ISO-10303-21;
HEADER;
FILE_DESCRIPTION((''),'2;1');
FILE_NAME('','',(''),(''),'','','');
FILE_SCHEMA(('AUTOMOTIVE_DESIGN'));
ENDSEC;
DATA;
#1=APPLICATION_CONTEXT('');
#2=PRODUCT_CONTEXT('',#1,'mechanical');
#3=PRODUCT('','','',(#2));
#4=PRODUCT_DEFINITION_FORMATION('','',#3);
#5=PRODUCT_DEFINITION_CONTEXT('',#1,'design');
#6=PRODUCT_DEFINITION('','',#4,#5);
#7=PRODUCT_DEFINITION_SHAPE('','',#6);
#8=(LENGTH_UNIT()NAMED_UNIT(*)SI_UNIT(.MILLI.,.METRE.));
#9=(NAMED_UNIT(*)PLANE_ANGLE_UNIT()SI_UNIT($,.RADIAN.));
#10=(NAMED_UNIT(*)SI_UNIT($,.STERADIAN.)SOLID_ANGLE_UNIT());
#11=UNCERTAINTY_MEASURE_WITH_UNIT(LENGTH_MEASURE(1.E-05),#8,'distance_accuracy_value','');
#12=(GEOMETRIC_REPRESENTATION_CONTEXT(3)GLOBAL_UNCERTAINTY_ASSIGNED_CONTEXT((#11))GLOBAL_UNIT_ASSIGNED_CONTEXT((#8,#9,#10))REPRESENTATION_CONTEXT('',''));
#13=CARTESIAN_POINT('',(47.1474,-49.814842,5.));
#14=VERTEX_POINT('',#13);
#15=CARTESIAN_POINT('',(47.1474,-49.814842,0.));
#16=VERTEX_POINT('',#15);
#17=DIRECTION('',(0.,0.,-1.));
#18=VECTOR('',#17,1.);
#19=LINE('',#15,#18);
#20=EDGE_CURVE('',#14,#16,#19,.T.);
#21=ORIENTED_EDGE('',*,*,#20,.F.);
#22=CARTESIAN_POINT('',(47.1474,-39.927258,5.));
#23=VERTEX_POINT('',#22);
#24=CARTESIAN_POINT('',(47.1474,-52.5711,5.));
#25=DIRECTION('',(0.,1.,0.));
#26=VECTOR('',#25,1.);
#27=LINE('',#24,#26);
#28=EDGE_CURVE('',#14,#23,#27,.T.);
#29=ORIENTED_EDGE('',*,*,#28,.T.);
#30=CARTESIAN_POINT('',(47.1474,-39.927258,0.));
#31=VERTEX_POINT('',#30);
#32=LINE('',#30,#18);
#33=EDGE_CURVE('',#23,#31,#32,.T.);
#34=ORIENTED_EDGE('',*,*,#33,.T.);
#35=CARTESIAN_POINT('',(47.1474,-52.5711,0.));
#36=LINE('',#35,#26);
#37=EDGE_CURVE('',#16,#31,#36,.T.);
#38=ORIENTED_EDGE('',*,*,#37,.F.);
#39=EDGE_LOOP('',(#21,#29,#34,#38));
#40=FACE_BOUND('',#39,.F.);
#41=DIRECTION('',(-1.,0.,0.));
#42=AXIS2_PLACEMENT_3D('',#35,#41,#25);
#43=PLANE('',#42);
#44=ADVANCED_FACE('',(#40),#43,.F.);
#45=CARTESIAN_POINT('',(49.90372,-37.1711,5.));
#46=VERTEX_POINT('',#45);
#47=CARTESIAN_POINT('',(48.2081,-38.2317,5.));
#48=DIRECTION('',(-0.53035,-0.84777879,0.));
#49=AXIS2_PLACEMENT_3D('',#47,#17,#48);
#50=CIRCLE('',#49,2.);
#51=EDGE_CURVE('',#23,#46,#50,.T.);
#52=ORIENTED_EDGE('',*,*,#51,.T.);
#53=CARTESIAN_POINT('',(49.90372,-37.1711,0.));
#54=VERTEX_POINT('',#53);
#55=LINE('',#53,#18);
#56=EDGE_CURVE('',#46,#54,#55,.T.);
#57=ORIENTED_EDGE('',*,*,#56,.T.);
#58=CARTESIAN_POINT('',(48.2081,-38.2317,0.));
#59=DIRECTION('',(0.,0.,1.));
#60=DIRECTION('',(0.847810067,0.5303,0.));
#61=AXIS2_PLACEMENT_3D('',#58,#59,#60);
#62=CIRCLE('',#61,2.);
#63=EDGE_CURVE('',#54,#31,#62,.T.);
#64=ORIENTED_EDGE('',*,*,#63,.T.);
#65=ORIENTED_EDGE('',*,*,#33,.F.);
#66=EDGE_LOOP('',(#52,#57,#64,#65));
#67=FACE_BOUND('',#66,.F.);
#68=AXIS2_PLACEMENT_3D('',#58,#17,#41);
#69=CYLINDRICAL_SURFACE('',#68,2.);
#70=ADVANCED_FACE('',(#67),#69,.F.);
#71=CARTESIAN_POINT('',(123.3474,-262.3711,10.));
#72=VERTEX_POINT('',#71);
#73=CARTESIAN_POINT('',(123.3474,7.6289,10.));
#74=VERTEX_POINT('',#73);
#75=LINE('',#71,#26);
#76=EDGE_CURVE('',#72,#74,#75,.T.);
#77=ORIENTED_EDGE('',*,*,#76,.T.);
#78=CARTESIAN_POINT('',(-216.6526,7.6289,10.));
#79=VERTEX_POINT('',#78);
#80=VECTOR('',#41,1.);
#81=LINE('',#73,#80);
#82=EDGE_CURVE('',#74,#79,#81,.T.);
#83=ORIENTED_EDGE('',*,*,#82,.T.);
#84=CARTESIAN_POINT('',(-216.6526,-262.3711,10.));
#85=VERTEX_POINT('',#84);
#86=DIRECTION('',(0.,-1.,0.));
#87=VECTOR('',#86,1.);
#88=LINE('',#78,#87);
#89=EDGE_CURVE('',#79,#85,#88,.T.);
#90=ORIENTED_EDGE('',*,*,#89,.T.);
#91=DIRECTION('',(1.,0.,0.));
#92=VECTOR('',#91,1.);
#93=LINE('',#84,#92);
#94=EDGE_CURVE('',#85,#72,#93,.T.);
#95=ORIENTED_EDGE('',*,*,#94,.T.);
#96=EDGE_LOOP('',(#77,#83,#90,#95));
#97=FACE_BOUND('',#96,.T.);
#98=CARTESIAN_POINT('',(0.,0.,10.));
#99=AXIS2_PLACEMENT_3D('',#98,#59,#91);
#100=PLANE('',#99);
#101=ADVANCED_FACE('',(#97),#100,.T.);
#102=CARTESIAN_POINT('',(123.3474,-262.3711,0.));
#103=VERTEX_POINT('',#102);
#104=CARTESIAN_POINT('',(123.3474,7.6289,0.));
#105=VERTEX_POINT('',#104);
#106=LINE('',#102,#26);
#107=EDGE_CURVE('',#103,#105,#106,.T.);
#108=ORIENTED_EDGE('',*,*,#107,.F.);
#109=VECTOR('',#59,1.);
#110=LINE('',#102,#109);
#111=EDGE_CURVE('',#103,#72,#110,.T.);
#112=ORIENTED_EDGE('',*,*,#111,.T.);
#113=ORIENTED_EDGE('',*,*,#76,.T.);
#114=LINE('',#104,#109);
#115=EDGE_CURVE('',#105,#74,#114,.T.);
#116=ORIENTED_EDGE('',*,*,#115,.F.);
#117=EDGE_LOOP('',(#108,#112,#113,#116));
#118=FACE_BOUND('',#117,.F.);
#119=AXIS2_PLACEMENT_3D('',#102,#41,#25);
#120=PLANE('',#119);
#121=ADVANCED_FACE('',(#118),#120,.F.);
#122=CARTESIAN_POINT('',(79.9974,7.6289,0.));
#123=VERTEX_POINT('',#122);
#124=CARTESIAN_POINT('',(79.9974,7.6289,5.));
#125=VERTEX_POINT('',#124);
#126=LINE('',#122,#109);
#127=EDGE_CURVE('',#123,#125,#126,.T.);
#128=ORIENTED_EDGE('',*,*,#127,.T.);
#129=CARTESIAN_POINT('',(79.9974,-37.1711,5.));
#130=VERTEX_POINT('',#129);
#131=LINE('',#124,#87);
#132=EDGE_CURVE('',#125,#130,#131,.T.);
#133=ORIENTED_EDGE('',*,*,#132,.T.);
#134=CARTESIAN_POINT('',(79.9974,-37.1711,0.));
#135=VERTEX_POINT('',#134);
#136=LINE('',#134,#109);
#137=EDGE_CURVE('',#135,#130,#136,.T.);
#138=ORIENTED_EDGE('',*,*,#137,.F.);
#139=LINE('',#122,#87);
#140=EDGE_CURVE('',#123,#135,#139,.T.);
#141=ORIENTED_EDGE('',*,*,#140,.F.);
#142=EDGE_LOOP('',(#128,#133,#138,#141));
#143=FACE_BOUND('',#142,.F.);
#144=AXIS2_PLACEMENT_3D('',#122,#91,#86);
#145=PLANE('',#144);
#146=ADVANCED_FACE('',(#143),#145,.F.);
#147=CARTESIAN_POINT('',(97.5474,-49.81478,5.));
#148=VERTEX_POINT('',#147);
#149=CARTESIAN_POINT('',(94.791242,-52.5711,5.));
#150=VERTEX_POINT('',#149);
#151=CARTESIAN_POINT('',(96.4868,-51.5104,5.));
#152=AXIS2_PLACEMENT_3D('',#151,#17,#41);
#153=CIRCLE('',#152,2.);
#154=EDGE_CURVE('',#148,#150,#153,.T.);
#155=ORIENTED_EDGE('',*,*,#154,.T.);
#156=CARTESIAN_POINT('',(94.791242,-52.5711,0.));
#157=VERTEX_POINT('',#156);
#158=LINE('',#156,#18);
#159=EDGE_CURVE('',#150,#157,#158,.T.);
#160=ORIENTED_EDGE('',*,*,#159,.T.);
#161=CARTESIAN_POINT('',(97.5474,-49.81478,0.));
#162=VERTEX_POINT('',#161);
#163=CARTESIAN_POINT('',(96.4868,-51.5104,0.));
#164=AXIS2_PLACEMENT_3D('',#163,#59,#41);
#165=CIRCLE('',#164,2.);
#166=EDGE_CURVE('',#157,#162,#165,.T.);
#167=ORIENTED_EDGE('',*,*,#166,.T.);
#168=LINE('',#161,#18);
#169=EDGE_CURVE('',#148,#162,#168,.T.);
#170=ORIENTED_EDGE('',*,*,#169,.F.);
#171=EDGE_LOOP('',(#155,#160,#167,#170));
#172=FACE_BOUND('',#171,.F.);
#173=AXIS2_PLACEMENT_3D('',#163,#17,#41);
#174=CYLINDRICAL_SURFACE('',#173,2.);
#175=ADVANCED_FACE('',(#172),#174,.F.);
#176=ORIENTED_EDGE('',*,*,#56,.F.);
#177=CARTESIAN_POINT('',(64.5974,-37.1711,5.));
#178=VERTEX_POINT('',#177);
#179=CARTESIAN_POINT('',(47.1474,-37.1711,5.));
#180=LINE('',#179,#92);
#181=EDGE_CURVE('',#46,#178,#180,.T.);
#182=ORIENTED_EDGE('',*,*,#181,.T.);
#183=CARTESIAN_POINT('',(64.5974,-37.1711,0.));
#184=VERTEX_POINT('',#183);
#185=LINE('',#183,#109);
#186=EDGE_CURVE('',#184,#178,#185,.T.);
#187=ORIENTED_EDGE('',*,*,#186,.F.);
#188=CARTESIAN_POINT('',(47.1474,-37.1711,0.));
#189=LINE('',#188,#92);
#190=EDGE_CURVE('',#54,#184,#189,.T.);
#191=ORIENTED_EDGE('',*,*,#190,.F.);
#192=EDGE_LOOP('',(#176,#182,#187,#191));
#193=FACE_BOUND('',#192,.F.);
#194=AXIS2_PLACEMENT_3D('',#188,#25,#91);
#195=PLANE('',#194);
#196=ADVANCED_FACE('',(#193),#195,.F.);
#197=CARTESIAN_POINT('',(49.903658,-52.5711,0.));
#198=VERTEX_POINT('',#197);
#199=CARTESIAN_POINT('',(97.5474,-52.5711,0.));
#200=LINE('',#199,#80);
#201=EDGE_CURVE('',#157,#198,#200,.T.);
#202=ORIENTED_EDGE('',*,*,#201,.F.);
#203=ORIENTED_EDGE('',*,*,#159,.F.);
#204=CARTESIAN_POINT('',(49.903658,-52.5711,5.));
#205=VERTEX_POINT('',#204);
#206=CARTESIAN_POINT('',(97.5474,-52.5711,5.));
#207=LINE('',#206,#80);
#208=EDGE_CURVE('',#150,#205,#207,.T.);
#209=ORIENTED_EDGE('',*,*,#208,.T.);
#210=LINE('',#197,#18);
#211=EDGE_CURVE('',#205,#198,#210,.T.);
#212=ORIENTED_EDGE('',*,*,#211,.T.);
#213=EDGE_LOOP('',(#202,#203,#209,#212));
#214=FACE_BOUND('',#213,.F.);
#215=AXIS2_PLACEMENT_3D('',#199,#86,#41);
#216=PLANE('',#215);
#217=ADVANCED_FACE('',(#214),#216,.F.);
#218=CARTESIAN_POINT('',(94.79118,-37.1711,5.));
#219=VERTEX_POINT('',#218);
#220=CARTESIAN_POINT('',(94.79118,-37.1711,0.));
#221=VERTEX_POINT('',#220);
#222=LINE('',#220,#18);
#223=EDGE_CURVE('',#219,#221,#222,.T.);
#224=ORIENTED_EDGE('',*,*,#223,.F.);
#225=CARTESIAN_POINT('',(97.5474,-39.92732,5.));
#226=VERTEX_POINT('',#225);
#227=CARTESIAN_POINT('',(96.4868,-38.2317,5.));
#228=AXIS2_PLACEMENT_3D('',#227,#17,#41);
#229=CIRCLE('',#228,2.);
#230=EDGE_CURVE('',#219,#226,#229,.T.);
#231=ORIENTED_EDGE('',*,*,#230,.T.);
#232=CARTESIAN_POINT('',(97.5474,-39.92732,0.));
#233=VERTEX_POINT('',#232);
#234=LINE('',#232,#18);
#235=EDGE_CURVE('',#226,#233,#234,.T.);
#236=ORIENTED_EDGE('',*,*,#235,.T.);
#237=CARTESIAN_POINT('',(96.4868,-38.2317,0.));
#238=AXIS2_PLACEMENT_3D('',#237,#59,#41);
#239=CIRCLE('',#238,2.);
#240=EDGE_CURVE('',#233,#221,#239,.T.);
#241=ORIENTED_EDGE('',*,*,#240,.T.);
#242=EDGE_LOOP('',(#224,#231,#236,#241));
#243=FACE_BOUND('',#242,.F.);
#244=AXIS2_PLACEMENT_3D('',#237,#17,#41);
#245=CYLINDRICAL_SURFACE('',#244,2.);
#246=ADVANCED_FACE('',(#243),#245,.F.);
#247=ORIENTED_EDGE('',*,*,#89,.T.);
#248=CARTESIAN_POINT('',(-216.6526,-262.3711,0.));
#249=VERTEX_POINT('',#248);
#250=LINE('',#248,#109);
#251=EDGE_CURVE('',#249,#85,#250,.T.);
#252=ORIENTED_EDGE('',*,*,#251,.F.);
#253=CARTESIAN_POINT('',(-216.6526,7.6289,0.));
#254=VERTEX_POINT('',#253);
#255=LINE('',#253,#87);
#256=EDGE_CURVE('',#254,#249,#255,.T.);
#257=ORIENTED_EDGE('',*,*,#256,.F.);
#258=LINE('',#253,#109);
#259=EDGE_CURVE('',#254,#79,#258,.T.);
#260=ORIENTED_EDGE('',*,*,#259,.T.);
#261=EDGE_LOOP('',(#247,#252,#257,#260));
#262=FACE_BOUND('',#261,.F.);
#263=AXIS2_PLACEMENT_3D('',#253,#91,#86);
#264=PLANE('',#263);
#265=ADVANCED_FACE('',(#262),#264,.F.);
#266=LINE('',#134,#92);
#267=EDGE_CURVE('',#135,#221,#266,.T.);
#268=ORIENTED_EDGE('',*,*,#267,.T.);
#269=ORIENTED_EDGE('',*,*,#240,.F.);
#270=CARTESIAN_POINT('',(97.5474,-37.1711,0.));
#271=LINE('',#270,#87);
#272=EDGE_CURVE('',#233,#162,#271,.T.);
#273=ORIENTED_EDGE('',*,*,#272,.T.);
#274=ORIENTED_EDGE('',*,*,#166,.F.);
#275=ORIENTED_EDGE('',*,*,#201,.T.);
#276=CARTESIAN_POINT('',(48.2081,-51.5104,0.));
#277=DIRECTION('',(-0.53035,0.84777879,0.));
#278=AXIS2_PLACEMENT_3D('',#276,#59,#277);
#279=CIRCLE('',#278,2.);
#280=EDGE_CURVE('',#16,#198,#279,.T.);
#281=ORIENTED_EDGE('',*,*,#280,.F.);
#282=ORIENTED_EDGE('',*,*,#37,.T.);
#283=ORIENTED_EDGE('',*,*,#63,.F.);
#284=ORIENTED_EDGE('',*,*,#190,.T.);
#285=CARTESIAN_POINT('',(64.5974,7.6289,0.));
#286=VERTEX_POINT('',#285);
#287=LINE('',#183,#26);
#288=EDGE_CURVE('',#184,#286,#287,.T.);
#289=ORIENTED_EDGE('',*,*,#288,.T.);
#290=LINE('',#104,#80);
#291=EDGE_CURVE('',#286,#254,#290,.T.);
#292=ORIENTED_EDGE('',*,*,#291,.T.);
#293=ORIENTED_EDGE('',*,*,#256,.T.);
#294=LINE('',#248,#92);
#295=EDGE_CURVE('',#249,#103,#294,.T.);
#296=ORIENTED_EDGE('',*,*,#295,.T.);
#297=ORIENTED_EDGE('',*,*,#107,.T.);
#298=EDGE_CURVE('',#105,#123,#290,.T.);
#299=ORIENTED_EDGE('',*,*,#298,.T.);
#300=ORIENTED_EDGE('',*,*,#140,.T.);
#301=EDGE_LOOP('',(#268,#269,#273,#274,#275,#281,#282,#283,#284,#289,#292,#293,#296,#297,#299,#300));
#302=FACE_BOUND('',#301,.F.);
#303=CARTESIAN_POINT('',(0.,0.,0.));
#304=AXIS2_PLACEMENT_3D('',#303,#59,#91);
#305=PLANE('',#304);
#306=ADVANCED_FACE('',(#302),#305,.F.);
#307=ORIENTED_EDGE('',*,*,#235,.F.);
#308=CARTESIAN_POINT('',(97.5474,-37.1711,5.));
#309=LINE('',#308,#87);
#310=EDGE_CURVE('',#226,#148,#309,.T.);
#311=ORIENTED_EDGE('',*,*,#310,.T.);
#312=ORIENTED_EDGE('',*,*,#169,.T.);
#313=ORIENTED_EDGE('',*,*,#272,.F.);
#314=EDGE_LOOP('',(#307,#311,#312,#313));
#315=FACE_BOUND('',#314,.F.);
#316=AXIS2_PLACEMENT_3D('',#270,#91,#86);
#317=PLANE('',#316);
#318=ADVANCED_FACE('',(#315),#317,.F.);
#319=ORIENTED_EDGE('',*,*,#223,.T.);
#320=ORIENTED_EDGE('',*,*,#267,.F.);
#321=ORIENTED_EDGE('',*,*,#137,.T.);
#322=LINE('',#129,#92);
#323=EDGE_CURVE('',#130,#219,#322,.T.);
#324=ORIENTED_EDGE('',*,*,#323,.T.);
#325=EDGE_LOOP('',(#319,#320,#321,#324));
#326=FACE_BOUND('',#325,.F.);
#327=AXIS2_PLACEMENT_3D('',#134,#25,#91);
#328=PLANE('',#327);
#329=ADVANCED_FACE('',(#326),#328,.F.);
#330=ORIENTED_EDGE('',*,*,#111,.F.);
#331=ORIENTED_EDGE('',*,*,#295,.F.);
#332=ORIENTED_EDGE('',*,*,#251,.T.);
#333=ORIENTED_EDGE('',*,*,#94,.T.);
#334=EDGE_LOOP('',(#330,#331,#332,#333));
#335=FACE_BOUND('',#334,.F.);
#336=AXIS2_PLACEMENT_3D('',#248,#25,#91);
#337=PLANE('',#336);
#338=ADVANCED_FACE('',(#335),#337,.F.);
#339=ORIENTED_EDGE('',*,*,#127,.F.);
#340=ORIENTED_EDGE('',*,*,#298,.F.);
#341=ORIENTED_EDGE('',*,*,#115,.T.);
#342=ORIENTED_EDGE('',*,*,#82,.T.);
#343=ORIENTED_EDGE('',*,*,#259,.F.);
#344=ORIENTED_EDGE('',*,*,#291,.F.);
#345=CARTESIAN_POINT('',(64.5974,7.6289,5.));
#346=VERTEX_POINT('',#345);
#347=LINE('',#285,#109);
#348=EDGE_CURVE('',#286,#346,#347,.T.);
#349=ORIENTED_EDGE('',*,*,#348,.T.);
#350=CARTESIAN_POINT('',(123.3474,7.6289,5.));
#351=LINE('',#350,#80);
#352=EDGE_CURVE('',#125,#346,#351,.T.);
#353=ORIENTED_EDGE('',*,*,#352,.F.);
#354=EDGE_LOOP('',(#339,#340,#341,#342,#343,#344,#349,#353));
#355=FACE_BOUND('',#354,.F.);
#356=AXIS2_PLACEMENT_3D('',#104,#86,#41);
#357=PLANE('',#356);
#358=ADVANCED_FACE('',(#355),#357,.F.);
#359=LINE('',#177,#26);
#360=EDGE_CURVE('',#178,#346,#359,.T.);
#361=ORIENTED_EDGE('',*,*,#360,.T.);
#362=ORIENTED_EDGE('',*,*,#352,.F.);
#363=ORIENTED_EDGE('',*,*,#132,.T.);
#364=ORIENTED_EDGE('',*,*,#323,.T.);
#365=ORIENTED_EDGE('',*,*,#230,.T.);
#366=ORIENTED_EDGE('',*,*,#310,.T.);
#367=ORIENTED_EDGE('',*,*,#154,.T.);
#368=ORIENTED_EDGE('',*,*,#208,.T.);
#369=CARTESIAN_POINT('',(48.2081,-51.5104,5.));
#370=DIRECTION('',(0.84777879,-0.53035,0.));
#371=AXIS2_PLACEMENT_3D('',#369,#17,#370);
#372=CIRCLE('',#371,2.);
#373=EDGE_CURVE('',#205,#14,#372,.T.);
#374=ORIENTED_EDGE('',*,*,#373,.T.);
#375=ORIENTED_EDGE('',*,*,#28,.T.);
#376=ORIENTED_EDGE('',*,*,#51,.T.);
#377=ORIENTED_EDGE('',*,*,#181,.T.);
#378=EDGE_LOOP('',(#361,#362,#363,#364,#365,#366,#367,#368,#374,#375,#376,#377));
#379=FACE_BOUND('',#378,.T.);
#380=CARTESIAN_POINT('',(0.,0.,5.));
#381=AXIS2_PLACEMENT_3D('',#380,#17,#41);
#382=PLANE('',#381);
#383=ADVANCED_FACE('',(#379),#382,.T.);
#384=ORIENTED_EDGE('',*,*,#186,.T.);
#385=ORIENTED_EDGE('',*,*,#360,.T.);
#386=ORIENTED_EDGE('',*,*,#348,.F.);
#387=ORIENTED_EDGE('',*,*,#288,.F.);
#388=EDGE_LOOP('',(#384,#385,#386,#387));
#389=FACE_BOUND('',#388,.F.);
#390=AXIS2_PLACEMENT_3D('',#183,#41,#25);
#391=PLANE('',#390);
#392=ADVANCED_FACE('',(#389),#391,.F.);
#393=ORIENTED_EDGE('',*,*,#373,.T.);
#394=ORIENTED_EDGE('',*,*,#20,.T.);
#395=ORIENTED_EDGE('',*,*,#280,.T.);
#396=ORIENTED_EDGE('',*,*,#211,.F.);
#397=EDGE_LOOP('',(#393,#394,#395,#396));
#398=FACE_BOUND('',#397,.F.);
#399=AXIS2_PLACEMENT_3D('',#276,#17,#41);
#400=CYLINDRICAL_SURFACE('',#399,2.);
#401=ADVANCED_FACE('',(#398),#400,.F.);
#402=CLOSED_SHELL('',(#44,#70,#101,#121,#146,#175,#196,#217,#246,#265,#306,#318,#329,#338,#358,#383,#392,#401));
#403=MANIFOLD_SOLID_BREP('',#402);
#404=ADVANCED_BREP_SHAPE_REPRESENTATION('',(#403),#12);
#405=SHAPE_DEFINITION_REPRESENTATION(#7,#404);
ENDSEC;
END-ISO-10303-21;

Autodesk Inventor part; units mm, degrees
ref_plane "YZ Plane" through (0, 0, 0) normal (1, 0, 0) x (0, 1, 0)
ref_plane "XZ Plane" through (0, 0, 0) normal (0, 1, 0) x (-1, 0, 0)
ref_plane "XY Plane" through (0, 0, 0) normal (0, 0, 1) x (1, 0, 0)
sketch "Sketch1" plane through (0, 0, 0) normal (0, 0, 1) x (1, 0, 0)
  line L0 (-216.6526, -262.3711) -> (123.3474, -262.3711)
  line L1 (123.3474, -262.3711) -> (123.3474, 7.6289)
  line L2 (123.3474, 7.6289) -> (-216.6526, 7.6289)
  line L3 (-216.6526, 7.6289) -> (-216.6526, -262.3711)
  point P0 (0, 0)
  dimension "d0" = 340
  dimension "d1" = 270
extrude "Extrusion1" add sketch "Sketch1" along normal blind 10
sketch "Sketch2" plane through (0, 0, 0) normal (0, 0, -1) x (-1, 0, 0)
  line L0 (-66.3474, -50.3711) -> (-66.3474, -52.3711) construction
  line L1 (-66.3474, -52.3711) -> (-47.3474, -52.3711) construction
  line L2 (-47.3474, -52.3711) -> (-47.3474, -37.3711) construction
  line L3 (-47.3474, -37.3711) -> (-64.7974, -37.3711) construction
  line L4 (-64.7974, -37.3711) -> (-64.7974, -42.3711) construction
  line L5 (-64.7974, -42.3711) -> (-79.8974, -42.3711) construction
  line L6 (-79.8974, -42.3711) -> (-79.8974, -37.3711) construction
  line L7 (-79.8974, -37.3711) -> (-97.3474, -37.3711) construction
  line L8 (-97.3474, -37.3711) -> (-97.3474, -52.3711) construction
  line L9 (-97.3474, -52.3711) -> (-78.3474, -52.3711) construction
  line L10 (-78.3474, -52.3711) -> (-78.3474, -50.3711) construction
  line L11 (-78.3474, -50.3711) -> (-66.3474, -50.3711) construction
  line L12 (-79.7974, -42.3711) -> (-79.7974, -9.1428) construction
  line L13 (-64.7974, -42.3711) -> (-79.7974, -42.3711) construction
  line L14 (-64.7974, -42.3711) -> (-64.7974, -9.1428) construction
  line L15 (-79.7974, -26.2239) -> (-79.7974, -29.3711) construction
  line L16 (-79.7974, -29.3711) -> (-64.7974, -29.3711) construction
  line L17 (-64.7974, -29.3711) -> (-64.7974, -26.2239) construction
  line L18 (-64.7974, -26.2239) -> (-79.7974, -26.2239) construction
  line L19 (-79.7974, 7.2343) -> (-64.7974, 7.2343) construction
  line L20 (-79.7974, -9.1428) -> (-79.7974, 7.2343) construction
  line L21 (-64.7974, 7.2343) -> (-64.7974, -9.1428) construction
  line L22 (-123.3474, 7.6289) -> (216.6526, 7.6289) projected
  line L23 (-79.9974, 7.6289) -> (-79.9974, -37.1711)
  line L24 (-79.9974, -37.1711) -> (-97.5474, -37.1711)
  line L25 (-97.5474, -37.1711) -> (-97.5474, -52.5711)
  line L26 (-97.5474, -52.5711) -> (-47.1474, -52.5711)
  line L27 (-47.1474, -52.5711) -> (-47.1474, -37.1711)
  line L28 (-47.1474, -37.1711) -> (-64.5974, -37.1711)
  line L29 (-64.5974, -37.1711) -> (-64.5974, 7.6289)
  line L30 (-79.9974, 7.6289) -> (-64.5974, 7.6289)
  circle A0 centre (-57.3474, -44.8711) radius 1.621 projected
  circle A1 centre (-87.3474, -44.8711) radius 1.621 projected
  line L31 (-64.7974, -9.1428) -> (-79.7974, -9.1428) projected
  line L32 (-64.7974, -9.1428) -> (-79.7974, -9.1428) projected
  circle A2 centre (-72.2869, -16.8711) radius 1.621 projected
  circle A3 centre (-72.2869, -36.8711) radius 1.621 projected
  point P0 (0, 0)
  dimension "d4" = 0.2
  dimension "d5" = 0.2
  dimension "d6" = 0.2
  dimension "d7" = 0.2
  dimension "d8" = 0.2
  dimension "d9" = 0.2
extrude "Extrusion2" cut sketch "Sketch2" against normal blind 5 contours L22 L29 L28 L27 L26 L25 L24 L23 | A0 | A1 | A2 | A3
sketch "Sketch4" plane through (0, 0, 0) normal (0, 0, -1) x (-1, 0, 0)
  circle A0 centre (-48.2081, -38.2317) radius 2
  line L0 (-47.1474, -37.1711) -> (-47.1474, -52.5711) projected
  line L1 (-47.1474, -37.1711) -> (-48.0356, -38.0592) construction
  line L2 (-64.5974, -37.1711) -> (-47.1474, -37.1711) projected
  circle A1 centre (-48.2081, -51.5104) radius 2
  circle A2 centre (-96.4868, -51.5104) radius 2
  circle A3 centre (-96.4868, -38.2317) radius 2
  line L3 (-47.1474, -52.5711) -> (-49.4974, -50.2211) construction
  line L4 (-47.1474, -52.5711) -> (-97.5474, -52.5711) projected
  line L5 (-97.5474, -52.5711) -> (-95.2238, -50.2474) construction
  line L6 (-97.5474, -37.1711) -> (-95.2759, -39.4427) construction
  line L7 (-97.5474, -52.5711) -> (-97.5474, -37.1711) projected
  point P0 (0, 0)
  dimension "d17" = 4
  dimension "d18" = 45
  dimension "d19" = 1.5
  dimension "d20" = 4
  dimension "d21" = 4
  dimension "d22" = 4
  dimension "d23" = 45
  dimension "d24" = 45
  dimension "d25" = 1.5
  dimension "d26" = 1.5
  dimension "d27" = 1.5
extrude "Extrusion4" cut sketch "Sketch4" against normal up to surface (5 mm away)
equation "\"d20\" = d17"
equation "\"d21\" = d17"
equation "\"d22\" = d17"
equation "\"d25\" = d19"
equation "\"d26\" = d19"
equation "\"d27\" = d19"
properties part number "baseplate" material "Aluminum 6061-AHC"
